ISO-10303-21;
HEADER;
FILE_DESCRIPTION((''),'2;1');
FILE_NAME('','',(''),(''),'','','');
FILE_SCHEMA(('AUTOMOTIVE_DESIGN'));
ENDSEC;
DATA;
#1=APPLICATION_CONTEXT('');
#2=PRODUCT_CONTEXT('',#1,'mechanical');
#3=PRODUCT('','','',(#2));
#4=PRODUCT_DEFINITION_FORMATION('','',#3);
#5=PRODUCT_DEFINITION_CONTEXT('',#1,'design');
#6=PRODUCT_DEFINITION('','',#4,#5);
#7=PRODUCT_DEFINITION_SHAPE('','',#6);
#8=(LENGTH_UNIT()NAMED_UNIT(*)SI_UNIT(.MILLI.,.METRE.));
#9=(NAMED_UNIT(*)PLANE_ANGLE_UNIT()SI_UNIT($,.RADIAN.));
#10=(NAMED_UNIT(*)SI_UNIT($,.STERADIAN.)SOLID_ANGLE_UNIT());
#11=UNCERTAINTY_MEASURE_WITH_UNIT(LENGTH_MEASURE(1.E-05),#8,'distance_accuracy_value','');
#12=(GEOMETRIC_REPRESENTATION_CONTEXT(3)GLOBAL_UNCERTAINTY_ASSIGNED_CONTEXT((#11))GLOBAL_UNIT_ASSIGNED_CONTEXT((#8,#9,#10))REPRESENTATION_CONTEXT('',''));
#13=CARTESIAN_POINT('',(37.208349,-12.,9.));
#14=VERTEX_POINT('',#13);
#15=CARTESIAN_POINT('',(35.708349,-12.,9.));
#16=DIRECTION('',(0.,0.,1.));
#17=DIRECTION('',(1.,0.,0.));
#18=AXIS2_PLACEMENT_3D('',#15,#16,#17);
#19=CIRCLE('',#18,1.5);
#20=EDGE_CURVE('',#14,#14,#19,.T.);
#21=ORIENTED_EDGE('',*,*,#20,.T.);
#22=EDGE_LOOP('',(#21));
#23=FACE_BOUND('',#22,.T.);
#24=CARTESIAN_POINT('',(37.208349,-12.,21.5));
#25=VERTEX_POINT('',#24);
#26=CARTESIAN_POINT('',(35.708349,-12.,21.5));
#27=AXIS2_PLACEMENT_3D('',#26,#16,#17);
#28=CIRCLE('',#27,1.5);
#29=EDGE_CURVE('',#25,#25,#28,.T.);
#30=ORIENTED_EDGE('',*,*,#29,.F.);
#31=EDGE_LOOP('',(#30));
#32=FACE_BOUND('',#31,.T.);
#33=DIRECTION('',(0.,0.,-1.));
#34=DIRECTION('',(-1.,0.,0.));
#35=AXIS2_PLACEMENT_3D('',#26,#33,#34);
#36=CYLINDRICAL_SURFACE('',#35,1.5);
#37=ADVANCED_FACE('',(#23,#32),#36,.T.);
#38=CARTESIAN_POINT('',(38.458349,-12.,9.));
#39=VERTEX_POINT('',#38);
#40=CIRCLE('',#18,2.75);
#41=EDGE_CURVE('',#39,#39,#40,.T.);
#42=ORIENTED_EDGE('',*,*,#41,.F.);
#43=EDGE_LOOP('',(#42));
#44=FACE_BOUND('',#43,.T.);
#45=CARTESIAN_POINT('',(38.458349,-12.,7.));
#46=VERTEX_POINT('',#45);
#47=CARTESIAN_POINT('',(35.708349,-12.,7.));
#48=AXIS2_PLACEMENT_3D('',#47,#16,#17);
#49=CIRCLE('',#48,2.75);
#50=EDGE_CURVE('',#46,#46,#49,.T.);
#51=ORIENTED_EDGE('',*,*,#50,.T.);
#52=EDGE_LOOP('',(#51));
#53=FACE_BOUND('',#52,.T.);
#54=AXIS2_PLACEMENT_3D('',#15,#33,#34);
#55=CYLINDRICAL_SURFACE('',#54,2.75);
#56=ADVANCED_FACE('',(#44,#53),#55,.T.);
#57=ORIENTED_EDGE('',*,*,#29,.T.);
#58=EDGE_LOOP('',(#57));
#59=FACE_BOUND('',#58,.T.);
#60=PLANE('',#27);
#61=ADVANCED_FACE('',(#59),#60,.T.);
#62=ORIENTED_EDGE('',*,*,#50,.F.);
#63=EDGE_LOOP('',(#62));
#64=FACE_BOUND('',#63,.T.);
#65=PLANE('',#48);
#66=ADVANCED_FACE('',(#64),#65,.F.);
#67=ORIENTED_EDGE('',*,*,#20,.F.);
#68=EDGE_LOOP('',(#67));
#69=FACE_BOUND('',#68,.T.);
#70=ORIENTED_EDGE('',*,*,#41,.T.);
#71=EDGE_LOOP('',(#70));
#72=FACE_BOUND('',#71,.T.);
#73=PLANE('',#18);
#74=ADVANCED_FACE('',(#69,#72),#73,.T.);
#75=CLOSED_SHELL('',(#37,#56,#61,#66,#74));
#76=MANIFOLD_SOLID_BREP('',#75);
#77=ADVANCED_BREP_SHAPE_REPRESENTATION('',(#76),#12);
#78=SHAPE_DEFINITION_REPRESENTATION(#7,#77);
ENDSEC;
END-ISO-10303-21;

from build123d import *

# Parameters (mm, degrees)
SMOOTH_EYELET_SHOULDER_SKETCH_R = 1.5
SMOOTH_EYELET_SHOULDER_DEPTH    = 12.5
PIN_HEAD_SKETCH_R               = 2.75
PIN_HEAD_DEPTH                  = 2


with BuildPart() as part:
    # Smooth eyelet shoulder sketch → Smooth eyelet shoulder (new body)
    with BuildSketch(Plane.XY.offset(9)):
        with Locations((35.708348754, -12)):
            Circle(SMOOTH_EYELET_SHOULDER_SKETCH_R)
    extrude(amount=SMOOTH_EYELET_SHOULDER_DEPTH)

    # Pin head sketch → Pin head (add)
    with BuildSketch(Plane.XY.offset(7)):
        with Locations((35.708348754, -12)):
            Circle(PIN_HEAD_SKETCH_R)
    extrude(amount=PIN_HEAD_DEPTH)


solid = part.part
